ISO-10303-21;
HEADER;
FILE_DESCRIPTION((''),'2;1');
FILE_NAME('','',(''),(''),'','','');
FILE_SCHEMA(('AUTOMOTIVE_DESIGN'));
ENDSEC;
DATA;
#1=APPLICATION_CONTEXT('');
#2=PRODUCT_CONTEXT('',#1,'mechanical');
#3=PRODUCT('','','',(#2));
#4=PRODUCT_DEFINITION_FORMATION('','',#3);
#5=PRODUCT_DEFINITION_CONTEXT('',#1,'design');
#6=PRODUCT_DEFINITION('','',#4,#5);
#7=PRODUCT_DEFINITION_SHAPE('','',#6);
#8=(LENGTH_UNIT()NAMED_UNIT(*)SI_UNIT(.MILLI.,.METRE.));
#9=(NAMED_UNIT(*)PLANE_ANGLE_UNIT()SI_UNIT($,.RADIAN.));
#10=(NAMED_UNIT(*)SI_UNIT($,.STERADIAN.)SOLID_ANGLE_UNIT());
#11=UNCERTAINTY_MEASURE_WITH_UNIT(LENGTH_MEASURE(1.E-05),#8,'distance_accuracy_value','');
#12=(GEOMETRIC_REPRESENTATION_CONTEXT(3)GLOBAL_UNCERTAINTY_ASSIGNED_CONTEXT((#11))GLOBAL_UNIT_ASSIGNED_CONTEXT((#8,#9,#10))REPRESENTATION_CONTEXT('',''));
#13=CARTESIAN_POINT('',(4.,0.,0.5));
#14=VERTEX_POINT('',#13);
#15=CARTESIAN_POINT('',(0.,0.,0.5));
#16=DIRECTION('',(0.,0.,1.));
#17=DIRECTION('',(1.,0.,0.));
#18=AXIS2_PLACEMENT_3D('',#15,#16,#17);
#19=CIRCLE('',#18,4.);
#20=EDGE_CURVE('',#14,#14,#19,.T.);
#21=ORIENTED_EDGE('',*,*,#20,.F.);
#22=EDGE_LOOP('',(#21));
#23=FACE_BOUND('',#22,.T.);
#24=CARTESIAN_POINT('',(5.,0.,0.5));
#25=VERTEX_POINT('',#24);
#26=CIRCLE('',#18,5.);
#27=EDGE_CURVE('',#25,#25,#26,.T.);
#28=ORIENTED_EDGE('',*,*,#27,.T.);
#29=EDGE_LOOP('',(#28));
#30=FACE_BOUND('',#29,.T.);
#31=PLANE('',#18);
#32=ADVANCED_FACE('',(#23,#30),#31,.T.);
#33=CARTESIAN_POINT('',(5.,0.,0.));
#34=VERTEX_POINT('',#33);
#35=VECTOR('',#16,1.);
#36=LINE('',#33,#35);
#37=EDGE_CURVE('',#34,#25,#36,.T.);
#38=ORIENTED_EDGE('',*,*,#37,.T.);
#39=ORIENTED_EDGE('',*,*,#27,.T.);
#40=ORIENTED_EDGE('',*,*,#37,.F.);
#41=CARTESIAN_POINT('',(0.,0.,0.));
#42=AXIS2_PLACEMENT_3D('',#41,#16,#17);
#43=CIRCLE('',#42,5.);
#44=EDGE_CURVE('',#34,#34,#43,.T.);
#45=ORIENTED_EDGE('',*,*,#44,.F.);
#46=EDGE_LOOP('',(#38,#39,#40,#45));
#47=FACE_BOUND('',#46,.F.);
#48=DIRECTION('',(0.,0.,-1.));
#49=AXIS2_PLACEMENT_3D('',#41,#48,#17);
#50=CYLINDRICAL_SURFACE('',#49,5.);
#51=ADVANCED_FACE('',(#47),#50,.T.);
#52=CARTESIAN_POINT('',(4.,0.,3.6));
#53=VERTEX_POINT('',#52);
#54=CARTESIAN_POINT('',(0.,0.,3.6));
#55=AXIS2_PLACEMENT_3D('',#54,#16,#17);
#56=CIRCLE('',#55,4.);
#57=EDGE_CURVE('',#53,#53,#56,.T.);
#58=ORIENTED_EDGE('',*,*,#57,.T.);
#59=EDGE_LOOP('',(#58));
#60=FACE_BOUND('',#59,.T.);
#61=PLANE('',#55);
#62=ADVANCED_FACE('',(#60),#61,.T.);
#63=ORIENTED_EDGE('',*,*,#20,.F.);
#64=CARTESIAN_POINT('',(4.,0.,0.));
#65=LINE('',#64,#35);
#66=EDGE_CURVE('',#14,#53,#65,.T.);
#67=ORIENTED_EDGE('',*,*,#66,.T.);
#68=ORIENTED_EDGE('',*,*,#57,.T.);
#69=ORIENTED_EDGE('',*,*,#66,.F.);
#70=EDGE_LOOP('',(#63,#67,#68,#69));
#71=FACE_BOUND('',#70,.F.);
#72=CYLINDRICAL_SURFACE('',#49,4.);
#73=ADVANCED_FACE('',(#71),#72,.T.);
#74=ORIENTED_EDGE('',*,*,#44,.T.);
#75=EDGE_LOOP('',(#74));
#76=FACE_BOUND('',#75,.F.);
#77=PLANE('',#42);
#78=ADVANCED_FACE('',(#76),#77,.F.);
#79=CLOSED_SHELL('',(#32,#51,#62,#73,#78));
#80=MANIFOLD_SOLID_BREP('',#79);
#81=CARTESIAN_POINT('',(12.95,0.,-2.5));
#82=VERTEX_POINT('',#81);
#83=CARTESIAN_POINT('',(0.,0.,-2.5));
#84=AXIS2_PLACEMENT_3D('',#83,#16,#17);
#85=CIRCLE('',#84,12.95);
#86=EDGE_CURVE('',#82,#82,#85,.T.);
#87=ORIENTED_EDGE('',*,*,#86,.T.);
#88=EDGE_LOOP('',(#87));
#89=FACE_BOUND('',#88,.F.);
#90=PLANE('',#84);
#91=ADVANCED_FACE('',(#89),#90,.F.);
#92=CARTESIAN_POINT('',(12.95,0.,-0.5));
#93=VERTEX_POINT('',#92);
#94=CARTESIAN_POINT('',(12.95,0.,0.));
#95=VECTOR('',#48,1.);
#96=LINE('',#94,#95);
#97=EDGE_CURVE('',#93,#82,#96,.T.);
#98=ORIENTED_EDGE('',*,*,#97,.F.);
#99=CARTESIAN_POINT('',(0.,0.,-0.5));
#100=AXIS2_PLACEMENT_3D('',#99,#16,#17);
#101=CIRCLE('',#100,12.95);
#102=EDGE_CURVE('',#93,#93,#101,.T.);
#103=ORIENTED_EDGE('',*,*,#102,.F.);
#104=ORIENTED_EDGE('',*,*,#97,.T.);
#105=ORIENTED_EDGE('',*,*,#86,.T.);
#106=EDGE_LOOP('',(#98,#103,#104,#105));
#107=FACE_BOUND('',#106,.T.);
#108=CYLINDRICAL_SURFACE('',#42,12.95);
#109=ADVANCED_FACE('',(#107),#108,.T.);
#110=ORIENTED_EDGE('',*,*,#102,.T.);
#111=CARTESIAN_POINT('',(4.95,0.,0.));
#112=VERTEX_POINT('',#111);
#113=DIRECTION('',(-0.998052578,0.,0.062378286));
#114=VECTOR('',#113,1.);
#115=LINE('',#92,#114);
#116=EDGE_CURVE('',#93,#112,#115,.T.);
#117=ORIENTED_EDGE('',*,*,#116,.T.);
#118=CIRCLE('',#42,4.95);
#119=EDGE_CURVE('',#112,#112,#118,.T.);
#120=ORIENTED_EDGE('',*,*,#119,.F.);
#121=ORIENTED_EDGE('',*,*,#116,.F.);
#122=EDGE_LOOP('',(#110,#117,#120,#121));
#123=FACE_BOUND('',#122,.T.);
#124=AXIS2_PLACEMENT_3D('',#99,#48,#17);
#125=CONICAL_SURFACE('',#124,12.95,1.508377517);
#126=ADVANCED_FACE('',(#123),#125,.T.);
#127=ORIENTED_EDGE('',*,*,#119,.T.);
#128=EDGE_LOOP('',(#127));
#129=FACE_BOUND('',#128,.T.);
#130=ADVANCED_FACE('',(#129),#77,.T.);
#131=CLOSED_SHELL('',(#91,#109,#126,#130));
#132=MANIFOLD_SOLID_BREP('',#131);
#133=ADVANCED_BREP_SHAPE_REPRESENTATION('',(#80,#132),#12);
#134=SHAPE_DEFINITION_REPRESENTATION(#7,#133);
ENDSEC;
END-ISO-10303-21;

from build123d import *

# Parameters (mm, degrees)
F0_R     = 4
F1_DEPTH = 3.6
F0_R_2   = 5
F2_DEPTH = 0.5
F0_R_3   = 12.95
F3_DEPTH = 2.5
F4_SIZE2 = 8
F4_SIZE  = 0.5


with BuildPart() as f1:
    # F0 (on Top) → F1 (new body)
    with BuildSketch(Plane.XY):
        Circle(F0_R)
    extrude(amount=F1_DEPTH)

    # F0 (on Top) → F2 (join)
    with BuildSketch(Plane.XY):
        Circle(F0_R_2)
        Circle(F0_R, mode=Mode.SUBTRACT)
    extrude(amount=F2_DEPTH)


with BuildPart() as f3:
    # F0 (on Top) → F3 (new body)
    with BuildSketch(Plane.XY):
        Circle(F0_R_3)
        Circle(F0_R_2, mode=Mode.SUBTRACT)
        Circle(F0_R_2)
        Circle(F0_R, mode=Mode.SUBTRACT)
        Circle(F0_R)
    extrude(amount=-F3_DEPTH)

    # F4
    f4_edges = [f3.edges().sort_by_distance(p)[0] for p in [
        (-12.95, 0, 0),
    ]]
    chamfer(f4_edges, length=F4_SIZE, length2=F4_SIZE2)


solid = Compound([f1.part, f3.part])
